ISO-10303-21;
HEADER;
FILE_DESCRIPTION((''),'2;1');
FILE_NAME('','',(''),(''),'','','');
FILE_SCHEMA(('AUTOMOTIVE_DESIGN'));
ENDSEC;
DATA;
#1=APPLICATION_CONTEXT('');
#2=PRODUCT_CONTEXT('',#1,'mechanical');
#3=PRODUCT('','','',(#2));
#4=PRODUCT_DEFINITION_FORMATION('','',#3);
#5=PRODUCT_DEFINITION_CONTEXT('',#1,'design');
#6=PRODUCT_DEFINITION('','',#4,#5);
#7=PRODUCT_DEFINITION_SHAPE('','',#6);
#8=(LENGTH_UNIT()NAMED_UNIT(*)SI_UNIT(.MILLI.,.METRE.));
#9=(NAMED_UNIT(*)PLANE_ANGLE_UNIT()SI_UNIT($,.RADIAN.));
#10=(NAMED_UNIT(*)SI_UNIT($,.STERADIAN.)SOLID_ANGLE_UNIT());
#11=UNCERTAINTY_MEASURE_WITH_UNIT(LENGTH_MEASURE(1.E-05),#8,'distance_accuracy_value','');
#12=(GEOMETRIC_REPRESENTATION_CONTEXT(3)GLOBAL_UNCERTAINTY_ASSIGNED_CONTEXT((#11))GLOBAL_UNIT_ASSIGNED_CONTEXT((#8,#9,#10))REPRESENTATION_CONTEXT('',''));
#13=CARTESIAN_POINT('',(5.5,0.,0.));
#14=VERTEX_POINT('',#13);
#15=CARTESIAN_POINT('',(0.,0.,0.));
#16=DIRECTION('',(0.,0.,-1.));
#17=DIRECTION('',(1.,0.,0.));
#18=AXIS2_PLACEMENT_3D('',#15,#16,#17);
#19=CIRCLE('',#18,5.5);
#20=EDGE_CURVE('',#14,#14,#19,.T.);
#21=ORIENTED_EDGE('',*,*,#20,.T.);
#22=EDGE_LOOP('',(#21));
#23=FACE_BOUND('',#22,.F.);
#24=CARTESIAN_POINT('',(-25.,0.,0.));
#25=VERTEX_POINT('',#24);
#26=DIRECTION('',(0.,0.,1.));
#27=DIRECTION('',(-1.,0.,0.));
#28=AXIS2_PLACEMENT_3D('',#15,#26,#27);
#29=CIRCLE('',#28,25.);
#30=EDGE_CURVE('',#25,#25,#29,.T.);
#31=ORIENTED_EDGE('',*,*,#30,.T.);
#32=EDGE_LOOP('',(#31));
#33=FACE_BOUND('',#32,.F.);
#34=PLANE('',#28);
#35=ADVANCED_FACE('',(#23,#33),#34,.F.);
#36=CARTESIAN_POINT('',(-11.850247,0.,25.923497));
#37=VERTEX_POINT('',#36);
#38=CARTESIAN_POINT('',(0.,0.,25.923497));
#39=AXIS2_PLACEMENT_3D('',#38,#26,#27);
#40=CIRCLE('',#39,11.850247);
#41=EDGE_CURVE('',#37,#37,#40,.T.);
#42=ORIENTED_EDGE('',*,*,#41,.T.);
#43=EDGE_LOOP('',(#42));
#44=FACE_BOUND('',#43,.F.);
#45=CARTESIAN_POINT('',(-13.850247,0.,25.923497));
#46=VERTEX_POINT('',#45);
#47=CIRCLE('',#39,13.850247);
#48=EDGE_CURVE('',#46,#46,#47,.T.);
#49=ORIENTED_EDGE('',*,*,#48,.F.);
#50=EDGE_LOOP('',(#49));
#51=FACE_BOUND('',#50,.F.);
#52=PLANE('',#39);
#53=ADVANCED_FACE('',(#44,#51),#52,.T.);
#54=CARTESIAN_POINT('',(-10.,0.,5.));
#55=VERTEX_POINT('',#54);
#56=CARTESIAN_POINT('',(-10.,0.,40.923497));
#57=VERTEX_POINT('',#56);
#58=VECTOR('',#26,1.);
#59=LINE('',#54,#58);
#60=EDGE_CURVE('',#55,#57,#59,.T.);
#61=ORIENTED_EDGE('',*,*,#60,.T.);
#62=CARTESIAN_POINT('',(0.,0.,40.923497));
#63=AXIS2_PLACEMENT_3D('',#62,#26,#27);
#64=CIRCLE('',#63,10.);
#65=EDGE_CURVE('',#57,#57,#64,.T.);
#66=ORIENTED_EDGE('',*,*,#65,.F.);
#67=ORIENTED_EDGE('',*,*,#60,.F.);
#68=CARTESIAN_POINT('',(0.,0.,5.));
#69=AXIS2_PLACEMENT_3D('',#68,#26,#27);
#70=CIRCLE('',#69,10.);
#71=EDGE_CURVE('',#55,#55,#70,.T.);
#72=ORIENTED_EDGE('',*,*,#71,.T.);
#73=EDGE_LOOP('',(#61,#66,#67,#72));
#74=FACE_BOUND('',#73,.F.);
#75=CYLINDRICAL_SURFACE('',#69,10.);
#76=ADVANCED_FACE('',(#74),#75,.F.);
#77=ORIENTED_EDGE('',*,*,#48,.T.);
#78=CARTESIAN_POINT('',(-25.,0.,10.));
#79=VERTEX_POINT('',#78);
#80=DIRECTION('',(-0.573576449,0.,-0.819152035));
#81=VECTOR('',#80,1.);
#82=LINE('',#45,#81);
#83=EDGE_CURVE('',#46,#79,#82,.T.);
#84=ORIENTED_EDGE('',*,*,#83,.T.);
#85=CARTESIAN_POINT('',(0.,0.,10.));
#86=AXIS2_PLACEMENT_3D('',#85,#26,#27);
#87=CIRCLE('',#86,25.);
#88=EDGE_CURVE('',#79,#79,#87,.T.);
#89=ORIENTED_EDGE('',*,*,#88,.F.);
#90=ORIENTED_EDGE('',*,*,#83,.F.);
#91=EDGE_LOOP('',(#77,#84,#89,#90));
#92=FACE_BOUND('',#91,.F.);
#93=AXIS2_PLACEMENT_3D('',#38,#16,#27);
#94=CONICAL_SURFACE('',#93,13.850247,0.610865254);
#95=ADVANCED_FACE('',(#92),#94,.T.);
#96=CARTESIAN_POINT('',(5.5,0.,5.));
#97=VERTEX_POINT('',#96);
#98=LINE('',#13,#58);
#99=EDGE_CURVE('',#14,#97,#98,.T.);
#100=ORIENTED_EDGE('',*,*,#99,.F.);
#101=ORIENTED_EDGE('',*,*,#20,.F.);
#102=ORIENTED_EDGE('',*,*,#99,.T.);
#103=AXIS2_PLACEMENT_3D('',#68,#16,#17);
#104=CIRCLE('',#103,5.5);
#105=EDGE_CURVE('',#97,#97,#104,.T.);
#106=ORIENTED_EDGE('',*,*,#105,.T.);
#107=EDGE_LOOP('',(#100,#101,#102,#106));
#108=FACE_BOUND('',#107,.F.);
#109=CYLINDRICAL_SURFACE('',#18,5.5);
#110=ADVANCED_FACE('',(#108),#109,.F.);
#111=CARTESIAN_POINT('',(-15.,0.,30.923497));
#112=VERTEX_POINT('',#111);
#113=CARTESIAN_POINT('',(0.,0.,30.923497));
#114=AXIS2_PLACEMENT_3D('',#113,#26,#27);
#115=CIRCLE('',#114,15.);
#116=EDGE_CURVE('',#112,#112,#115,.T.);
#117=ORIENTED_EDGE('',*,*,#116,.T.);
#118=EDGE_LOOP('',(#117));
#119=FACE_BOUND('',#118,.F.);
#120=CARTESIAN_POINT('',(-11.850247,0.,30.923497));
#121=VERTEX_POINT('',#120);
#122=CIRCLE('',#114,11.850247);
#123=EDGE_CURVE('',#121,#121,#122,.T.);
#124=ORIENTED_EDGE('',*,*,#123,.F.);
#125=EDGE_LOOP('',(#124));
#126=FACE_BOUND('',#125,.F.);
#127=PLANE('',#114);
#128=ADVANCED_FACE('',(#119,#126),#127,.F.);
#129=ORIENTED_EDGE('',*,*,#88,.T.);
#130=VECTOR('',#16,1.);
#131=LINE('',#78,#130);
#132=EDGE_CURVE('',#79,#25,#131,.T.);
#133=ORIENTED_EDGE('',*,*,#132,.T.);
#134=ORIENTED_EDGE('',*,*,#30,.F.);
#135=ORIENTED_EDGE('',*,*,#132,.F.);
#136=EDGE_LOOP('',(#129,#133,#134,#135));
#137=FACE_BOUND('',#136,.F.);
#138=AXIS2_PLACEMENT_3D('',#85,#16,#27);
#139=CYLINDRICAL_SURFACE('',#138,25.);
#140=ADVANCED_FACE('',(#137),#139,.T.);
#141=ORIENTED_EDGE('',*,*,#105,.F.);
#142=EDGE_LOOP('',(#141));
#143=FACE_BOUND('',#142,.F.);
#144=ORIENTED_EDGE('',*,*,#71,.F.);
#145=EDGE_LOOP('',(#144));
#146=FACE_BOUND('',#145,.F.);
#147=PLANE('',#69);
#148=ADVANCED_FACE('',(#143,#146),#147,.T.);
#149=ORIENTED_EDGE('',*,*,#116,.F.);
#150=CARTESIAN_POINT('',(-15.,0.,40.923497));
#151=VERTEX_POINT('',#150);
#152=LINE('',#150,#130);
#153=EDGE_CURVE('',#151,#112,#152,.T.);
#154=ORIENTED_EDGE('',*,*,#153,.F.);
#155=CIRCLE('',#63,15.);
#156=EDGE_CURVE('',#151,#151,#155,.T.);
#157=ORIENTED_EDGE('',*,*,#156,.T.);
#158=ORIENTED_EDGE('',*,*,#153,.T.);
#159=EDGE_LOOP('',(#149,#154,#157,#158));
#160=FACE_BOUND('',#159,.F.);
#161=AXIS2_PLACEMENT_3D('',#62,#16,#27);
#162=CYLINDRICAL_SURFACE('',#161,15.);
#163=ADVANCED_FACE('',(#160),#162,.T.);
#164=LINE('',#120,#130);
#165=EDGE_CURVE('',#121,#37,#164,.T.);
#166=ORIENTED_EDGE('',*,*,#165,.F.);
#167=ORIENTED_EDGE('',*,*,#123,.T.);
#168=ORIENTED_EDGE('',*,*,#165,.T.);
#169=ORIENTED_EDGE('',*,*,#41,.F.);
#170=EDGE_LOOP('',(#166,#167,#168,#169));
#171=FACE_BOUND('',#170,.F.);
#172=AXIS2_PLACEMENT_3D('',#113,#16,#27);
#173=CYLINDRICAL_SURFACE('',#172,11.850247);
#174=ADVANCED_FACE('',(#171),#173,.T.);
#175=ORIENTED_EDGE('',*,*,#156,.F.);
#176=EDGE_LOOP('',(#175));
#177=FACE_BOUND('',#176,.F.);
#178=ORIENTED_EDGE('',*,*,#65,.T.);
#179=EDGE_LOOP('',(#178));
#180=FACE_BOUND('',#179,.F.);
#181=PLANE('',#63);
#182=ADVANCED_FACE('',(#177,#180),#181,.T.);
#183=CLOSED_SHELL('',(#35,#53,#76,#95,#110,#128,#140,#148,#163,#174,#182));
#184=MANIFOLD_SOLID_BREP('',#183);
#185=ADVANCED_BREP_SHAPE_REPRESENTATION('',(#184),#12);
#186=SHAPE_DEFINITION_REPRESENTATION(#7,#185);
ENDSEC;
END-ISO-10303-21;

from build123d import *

# Parameters (mm, degrees)
F2_R     = 5.5
F3_DEPTH = 25


with BuildPart() as f1:
    # F0 (on Front) → F1 (revolve)
    with BuildSketch(Plane.XZ):
        Polygon((-25, 0), (0, 0), (0, 5), (-10, 5), (-10, 40.923497), (-15, 40.923497), (-15, 30.923497), (-11.850247, 30.923497), (-11.850247, 25.923497), (-13.850247, 25.923497), (-25, 10), align=None)
    revolve(axis=Axis((0, 0, 25), (0, 0, 1)))

    # F2 (on face) → F3 (cut)
    with BuildSketch(Plane(origin=(0, 0, 0), x_dir=(1, 0, 0), z_dir=(0, 0, -1))):
        Circle(F2_R)
    extrude(amount=-F3_DEPTH, mode=Mode.SUBTRACT)


solid = f1.part
